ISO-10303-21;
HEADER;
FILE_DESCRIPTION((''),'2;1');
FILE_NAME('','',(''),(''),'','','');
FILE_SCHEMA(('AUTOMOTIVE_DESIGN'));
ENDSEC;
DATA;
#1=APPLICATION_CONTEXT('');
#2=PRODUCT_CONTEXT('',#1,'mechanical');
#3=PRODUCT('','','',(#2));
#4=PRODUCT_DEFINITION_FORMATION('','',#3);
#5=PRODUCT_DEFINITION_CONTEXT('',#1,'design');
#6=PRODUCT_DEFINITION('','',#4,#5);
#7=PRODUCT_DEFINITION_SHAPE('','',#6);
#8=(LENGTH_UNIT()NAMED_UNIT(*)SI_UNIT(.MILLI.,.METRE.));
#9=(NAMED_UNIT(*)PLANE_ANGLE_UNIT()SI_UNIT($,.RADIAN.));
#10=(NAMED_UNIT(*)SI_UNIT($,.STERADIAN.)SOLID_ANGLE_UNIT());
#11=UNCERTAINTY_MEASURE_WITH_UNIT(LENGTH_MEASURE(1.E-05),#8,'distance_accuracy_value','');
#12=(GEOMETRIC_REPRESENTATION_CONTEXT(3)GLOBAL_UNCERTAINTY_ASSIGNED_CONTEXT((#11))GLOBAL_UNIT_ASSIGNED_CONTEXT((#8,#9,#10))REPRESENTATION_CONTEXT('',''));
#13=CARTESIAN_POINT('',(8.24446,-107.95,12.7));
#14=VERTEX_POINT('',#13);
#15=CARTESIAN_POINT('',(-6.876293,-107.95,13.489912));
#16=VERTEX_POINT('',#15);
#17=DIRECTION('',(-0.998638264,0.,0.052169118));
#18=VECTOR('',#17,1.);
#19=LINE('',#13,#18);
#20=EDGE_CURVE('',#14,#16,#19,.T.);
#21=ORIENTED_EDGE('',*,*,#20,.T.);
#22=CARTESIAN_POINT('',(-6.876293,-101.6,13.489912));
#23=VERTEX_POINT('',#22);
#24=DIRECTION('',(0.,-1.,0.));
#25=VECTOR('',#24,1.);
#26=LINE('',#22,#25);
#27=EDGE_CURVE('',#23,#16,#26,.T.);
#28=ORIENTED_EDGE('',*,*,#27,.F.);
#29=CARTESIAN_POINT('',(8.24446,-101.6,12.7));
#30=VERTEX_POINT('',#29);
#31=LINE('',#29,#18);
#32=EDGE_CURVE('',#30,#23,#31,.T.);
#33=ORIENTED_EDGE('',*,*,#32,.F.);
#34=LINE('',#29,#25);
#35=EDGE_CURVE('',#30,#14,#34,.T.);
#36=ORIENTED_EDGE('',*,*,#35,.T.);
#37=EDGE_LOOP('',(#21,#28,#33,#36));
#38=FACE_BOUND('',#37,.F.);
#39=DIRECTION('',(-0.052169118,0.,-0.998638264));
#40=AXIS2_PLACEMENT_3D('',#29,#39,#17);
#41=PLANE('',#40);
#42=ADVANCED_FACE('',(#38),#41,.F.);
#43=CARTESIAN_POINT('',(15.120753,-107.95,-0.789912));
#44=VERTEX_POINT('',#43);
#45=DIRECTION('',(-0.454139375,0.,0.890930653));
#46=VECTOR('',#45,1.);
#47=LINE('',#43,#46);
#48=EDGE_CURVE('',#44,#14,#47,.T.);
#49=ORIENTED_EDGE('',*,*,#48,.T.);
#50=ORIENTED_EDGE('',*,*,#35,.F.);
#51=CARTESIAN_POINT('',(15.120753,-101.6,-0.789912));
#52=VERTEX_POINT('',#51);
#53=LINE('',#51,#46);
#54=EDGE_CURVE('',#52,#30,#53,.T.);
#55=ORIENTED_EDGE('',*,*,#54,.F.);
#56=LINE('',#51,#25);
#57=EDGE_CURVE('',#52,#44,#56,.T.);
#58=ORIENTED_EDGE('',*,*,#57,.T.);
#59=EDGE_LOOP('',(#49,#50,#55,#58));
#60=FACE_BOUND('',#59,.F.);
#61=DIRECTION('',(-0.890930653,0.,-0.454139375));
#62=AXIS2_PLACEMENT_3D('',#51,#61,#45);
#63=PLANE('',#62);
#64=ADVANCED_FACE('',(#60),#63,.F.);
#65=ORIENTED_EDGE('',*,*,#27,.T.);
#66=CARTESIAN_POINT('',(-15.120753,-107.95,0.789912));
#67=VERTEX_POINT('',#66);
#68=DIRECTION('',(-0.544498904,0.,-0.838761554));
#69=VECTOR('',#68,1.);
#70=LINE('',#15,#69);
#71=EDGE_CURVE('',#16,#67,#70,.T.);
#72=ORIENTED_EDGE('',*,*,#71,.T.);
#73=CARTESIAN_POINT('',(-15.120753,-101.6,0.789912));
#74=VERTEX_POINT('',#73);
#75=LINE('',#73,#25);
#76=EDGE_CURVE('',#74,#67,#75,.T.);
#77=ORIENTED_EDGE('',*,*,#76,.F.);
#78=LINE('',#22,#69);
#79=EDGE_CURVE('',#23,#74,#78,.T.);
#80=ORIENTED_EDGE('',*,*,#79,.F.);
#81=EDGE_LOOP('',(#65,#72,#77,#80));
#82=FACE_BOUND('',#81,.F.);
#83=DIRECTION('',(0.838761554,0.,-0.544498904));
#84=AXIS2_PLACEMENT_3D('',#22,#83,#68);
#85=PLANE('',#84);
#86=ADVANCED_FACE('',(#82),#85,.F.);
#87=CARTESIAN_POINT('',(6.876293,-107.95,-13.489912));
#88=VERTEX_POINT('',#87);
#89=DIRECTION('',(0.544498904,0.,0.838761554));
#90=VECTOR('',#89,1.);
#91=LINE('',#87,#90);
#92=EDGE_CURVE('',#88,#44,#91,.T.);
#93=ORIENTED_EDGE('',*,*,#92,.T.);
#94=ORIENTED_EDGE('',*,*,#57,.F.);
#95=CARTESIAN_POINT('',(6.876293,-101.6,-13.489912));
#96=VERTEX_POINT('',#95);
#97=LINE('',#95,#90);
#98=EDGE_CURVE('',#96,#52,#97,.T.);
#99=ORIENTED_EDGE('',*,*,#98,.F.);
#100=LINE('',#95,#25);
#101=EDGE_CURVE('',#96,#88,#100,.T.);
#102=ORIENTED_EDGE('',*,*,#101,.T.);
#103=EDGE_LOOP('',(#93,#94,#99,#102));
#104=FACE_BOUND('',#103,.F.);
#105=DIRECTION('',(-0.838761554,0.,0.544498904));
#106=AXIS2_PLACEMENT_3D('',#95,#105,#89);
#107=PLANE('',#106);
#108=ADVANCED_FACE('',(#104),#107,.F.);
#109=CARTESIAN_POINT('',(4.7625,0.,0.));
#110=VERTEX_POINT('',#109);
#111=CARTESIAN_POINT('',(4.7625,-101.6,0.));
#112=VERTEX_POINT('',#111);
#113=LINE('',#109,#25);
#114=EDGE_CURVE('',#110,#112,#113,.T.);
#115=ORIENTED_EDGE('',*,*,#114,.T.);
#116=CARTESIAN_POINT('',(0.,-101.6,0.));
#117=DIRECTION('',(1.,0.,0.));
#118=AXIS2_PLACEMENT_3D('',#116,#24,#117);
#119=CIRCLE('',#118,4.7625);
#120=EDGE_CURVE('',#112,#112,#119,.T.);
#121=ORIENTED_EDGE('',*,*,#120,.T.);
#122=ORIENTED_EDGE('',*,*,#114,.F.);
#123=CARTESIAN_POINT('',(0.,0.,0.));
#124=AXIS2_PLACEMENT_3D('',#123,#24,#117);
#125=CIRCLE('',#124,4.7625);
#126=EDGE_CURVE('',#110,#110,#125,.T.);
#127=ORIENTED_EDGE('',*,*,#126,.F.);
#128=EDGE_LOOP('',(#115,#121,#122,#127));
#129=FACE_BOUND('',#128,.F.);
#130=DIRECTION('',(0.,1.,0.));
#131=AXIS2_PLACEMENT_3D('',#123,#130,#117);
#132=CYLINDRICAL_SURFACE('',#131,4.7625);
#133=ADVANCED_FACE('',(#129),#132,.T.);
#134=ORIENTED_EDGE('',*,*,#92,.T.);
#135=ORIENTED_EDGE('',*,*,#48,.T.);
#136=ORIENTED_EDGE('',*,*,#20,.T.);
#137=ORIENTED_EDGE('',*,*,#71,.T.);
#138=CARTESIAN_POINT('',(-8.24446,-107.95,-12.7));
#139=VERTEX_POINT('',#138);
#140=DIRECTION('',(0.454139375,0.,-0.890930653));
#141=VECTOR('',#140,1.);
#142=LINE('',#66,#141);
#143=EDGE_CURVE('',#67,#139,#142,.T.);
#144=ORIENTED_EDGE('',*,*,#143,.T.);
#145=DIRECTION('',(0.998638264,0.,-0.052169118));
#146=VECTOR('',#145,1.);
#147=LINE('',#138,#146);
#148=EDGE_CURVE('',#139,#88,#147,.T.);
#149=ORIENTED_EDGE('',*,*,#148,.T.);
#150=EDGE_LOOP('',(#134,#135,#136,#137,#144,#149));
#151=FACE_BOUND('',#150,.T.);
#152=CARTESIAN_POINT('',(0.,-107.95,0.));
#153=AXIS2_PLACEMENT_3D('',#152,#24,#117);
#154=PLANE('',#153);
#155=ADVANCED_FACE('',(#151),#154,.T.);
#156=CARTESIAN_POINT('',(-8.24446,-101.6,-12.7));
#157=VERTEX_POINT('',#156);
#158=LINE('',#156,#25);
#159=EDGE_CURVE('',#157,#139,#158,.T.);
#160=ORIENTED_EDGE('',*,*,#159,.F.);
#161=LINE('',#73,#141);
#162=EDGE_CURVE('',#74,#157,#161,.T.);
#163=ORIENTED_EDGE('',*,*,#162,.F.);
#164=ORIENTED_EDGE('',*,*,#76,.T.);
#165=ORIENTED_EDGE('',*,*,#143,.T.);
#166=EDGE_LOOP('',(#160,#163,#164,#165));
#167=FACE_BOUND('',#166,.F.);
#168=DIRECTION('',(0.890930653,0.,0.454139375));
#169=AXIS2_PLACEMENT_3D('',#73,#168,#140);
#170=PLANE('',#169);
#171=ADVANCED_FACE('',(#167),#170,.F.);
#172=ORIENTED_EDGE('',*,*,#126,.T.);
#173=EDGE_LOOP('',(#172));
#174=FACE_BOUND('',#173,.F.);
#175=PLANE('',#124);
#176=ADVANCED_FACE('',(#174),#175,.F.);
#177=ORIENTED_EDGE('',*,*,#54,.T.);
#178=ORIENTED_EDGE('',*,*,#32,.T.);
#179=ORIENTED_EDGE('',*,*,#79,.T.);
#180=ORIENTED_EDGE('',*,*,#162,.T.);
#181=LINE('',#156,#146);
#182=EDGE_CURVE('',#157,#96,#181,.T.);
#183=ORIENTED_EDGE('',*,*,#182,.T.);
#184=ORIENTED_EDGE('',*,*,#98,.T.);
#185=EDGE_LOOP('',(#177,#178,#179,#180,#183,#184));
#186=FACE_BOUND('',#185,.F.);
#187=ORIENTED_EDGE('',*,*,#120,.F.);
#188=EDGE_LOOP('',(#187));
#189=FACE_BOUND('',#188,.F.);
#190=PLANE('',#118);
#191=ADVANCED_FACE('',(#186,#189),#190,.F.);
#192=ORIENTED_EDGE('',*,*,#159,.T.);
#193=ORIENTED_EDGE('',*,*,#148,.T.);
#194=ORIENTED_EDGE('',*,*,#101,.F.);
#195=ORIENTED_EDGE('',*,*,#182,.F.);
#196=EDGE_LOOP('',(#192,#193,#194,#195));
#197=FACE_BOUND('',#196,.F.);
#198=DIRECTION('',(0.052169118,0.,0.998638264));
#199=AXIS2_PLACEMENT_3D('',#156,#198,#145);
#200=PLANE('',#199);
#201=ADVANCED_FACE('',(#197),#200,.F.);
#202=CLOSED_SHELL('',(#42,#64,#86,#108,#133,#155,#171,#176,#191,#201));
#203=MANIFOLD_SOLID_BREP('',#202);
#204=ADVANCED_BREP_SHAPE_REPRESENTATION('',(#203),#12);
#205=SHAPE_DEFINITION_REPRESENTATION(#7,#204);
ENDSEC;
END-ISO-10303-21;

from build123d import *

# Parameters (mm, degrees)
F0_R     = 4.7625
F1_DEPTH = 101.6
F3_DEPTH = 6.35


with BuildPart() as f1:
    # F0 (on Front) → F1 (new body)
    with BuildSketch(Plane.XZ):
        Circle(F0_R)
    extrude(amount=F1_DEPTH)

    # F2 (on face) → F3 (join)
    with BuildSketch(Plane.XZ.offset(101.6)):
        Polygon((6.876293, -13.489912), (15.120753, -0.789912), (8.24446, 12.7), (-6.876293, 13.489912), (-15.120753, 0.789912), (-8.24446, -12.7), align=None)
    extrude(amount=F3_DEPTH)


solid = f1.part
